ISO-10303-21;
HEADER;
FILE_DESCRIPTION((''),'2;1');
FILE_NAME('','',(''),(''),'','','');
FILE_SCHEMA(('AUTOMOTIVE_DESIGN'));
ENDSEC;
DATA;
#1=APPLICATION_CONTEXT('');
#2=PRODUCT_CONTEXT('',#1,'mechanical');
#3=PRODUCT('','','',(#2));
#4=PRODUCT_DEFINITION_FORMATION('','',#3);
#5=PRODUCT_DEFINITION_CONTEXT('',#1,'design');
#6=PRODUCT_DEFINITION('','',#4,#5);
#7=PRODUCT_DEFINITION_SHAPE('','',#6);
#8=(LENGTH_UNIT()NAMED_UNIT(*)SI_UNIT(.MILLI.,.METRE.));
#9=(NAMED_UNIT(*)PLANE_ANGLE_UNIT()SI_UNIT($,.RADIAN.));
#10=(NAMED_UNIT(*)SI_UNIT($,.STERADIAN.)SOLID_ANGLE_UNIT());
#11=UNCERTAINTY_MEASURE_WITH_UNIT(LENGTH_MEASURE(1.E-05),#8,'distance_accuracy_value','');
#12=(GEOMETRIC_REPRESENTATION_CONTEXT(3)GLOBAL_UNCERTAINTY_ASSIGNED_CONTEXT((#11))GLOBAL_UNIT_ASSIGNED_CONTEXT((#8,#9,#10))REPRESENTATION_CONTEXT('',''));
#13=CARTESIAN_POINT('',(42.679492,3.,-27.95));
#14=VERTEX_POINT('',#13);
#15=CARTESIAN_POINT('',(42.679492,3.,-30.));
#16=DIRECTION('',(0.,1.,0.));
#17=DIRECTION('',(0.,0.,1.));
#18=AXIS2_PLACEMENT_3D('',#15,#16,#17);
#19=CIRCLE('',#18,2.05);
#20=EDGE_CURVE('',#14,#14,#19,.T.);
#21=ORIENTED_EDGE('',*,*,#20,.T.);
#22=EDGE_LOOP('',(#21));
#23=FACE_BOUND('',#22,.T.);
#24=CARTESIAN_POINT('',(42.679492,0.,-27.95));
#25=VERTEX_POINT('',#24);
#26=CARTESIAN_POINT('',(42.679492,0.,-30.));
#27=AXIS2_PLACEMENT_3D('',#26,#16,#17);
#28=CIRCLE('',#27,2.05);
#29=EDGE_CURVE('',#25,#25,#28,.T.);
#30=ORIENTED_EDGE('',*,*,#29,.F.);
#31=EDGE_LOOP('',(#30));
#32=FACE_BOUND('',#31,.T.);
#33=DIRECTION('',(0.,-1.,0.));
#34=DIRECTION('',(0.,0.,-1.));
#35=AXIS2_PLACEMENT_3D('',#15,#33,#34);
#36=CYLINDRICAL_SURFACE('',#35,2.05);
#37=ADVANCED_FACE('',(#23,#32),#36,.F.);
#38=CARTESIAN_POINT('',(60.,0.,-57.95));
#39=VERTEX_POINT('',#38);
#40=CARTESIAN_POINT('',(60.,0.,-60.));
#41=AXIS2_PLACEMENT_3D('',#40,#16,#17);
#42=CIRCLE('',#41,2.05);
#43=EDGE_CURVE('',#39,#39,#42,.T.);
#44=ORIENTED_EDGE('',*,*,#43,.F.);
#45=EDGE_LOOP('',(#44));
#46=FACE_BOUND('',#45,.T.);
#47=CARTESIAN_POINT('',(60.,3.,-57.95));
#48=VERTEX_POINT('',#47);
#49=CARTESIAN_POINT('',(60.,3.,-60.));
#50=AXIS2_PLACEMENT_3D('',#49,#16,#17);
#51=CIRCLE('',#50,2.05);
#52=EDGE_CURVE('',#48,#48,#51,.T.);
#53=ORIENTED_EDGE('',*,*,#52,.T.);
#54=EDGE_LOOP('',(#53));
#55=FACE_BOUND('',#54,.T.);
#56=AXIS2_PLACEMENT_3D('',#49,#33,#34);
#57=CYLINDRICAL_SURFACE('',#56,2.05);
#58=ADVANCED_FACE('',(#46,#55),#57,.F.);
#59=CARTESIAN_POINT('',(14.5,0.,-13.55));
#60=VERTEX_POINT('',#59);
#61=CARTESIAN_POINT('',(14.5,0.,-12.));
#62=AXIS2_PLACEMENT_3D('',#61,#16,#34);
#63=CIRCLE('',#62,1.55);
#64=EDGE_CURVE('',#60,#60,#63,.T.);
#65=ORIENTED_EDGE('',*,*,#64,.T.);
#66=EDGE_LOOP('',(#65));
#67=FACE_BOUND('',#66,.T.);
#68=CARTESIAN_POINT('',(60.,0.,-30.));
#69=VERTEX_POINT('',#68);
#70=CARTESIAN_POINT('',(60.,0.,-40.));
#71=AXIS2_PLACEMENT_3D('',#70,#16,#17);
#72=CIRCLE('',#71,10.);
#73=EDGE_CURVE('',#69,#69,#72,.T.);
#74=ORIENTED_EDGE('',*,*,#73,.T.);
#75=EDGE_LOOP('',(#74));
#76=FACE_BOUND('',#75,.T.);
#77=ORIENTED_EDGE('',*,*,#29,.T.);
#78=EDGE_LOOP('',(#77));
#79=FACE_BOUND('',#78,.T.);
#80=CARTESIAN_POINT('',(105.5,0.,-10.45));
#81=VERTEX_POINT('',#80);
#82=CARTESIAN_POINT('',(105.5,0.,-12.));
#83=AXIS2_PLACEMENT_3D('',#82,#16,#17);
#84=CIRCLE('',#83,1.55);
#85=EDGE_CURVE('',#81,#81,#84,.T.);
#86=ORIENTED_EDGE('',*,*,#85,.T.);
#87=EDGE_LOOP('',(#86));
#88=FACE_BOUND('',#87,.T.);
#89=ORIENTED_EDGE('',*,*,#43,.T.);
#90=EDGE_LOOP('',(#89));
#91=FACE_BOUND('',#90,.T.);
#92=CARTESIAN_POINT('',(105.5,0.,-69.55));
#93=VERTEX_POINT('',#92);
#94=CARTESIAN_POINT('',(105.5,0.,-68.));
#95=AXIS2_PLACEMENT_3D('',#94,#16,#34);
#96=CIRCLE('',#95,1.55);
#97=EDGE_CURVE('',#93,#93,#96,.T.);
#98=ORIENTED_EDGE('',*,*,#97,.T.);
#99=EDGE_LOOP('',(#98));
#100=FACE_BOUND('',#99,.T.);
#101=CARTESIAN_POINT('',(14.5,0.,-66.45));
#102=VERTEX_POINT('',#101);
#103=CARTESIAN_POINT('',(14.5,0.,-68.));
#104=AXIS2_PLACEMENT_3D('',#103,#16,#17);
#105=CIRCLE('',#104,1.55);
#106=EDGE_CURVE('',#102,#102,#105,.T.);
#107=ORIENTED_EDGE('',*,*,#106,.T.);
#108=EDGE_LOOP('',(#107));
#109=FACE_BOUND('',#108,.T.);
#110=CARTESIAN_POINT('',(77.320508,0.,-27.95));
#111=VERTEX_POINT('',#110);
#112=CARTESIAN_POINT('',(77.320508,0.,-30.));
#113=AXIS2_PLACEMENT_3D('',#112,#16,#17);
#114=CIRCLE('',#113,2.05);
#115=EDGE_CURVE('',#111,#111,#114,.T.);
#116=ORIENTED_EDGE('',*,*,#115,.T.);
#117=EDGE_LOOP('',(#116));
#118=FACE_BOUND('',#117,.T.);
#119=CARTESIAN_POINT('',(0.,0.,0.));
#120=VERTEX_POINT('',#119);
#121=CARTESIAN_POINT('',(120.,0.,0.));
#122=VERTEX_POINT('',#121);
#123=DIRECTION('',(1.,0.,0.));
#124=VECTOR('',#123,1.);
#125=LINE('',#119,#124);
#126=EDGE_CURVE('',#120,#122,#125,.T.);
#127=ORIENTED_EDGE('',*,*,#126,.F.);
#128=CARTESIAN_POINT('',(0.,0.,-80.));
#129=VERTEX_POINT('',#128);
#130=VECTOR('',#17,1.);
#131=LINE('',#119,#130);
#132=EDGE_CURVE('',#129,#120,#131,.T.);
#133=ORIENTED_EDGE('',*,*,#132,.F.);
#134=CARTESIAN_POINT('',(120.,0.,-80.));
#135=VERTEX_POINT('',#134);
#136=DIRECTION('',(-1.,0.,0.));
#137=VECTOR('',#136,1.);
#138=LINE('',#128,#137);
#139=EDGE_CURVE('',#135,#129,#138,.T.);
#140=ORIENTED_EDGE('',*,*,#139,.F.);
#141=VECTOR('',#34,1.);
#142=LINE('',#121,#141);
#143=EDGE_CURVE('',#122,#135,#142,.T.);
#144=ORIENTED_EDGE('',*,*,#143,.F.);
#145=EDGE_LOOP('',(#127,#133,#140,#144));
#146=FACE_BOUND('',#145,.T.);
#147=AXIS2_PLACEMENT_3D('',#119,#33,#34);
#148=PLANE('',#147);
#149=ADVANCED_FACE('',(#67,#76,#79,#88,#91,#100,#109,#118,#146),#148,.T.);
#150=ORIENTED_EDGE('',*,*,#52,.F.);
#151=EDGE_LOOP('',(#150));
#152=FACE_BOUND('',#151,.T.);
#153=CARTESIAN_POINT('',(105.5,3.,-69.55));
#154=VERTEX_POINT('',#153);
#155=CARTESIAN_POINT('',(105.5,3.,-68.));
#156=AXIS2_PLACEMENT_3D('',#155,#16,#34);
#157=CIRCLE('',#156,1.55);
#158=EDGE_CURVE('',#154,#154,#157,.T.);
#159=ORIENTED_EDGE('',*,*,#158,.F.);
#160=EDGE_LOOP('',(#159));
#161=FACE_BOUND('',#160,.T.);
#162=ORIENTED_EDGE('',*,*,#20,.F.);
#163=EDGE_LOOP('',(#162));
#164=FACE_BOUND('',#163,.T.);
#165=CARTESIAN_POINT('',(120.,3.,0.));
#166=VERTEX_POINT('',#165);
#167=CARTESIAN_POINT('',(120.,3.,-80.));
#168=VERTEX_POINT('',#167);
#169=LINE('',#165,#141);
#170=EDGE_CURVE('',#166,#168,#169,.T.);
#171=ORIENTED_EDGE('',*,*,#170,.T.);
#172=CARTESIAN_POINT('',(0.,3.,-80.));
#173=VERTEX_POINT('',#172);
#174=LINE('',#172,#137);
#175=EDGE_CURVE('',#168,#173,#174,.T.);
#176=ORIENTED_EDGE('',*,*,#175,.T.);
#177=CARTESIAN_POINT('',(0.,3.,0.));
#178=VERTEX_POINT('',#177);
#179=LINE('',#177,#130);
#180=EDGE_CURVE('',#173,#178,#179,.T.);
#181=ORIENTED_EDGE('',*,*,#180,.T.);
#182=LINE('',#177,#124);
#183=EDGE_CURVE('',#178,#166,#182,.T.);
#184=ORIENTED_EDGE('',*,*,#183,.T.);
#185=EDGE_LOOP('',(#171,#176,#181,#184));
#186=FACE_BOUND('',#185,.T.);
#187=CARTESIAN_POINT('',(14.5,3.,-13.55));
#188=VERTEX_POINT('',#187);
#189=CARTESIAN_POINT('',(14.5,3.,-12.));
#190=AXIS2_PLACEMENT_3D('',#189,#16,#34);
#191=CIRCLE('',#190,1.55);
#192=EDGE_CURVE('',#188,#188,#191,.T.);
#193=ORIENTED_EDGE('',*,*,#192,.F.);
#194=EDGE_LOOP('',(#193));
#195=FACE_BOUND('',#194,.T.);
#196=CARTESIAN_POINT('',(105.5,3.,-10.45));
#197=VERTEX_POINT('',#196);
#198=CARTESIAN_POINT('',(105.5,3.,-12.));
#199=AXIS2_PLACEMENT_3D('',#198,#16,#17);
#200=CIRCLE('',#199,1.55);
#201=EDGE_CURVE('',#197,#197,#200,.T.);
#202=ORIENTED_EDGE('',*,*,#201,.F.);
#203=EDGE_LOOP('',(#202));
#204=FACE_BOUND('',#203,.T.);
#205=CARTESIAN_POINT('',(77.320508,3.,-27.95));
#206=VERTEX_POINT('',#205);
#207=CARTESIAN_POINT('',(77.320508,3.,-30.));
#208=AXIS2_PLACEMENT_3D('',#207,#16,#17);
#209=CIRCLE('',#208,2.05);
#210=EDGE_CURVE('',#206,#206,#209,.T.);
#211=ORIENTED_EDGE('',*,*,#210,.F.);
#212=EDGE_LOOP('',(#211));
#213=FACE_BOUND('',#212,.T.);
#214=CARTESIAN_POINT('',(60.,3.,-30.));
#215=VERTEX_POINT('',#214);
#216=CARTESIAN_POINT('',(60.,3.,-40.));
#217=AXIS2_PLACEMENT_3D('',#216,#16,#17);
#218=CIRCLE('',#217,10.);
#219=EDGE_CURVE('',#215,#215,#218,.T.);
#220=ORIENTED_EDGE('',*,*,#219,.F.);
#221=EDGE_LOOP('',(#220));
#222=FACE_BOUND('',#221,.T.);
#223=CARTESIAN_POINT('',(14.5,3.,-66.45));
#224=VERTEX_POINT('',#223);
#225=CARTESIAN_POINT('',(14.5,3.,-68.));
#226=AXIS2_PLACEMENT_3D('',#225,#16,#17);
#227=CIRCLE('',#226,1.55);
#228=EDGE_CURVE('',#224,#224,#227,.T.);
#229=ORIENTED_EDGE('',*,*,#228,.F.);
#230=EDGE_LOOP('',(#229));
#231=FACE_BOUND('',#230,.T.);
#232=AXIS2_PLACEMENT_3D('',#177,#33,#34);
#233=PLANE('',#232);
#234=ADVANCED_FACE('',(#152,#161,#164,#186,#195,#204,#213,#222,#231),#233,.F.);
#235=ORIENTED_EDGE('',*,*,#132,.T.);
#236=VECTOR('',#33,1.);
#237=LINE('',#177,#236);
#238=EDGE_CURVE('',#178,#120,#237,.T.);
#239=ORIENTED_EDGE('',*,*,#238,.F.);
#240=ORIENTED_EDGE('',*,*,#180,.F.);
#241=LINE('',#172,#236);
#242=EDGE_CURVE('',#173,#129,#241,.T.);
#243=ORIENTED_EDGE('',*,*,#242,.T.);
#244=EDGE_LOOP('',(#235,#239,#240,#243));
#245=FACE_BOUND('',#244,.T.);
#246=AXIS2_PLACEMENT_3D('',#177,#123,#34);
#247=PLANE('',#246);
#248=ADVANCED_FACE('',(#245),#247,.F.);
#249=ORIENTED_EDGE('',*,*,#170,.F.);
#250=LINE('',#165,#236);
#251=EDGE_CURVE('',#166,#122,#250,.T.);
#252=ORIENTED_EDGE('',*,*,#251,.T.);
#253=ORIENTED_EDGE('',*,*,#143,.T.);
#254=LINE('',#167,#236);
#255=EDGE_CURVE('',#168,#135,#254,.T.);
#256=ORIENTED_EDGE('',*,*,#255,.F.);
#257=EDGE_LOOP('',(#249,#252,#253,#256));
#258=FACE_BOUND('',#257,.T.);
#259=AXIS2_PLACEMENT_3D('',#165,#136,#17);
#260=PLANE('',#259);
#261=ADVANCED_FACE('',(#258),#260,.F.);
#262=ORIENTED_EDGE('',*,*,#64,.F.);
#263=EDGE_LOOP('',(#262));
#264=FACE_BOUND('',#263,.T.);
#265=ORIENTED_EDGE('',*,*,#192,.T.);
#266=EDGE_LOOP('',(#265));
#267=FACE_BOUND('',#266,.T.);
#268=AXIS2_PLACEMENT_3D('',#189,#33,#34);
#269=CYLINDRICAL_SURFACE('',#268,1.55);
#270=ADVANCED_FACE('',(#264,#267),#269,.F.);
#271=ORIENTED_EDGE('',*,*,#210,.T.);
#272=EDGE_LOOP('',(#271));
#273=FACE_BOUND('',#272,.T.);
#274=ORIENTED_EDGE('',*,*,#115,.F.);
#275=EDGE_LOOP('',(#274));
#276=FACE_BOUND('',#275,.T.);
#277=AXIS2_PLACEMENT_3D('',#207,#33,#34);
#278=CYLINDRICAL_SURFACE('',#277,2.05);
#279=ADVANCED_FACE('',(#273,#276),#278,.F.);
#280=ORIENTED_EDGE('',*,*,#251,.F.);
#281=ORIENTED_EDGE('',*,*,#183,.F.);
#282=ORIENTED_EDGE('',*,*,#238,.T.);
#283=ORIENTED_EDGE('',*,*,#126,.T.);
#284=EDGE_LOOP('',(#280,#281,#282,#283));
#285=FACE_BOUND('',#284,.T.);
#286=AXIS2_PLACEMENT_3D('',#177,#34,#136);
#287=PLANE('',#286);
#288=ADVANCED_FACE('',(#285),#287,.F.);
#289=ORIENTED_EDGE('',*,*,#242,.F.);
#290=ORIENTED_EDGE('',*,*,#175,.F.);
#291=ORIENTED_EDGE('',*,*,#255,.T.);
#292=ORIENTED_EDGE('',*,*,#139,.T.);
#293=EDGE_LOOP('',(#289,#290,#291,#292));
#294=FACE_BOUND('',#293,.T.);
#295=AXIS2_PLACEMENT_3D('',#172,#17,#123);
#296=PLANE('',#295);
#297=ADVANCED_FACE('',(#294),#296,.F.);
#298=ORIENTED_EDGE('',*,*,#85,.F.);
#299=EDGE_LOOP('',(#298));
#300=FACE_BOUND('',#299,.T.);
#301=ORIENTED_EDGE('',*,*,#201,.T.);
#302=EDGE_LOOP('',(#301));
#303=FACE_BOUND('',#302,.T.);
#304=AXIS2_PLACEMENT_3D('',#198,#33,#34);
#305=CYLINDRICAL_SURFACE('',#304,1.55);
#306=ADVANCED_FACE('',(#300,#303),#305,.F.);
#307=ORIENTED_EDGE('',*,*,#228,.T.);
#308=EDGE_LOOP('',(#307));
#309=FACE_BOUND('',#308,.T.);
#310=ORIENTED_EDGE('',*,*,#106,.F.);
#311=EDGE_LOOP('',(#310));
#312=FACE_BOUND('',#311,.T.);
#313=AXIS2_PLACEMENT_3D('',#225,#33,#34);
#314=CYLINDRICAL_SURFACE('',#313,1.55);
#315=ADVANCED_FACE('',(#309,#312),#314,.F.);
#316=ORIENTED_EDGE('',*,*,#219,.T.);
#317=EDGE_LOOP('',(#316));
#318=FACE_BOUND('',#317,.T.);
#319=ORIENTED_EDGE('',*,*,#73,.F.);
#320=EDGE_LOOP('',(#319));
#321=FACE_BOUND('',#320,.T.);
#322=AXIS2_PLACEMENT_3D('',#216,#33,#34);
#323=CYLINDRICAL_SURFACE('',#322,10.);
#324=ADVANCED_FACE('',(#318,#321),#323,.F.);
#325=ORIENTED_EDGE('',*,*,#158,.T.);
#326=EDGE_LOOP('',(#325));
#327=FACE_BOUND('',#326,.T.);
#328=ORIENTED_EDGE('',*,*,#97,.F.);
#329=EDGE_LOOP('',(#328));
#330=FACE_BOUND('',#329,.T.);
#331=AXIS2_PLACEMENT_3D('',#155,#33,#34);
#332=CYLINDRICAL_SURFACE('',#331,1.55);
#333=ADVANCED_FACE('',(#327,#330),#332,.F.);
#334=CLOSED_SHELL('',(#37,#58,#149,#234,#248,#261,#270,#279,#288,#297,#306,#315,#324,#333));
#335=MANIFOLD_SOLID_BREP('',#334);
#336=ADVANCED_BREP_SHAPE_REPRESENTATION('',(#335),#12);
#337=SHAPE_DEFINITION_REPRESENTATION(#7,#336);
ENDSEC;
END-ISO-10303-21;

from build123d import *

# Parameters (mm, degrees)
SKETCH_1_W      = 120
SKETCH_1_H      = 80
SKETCH_1_R      = 2.05
SKETCH_1_R_2    = 10
SKETCH_1_R_3    = 1.55
EXTRUDE_1_DEPTH = 3


with BuildPart() as part:
    # 草图1 → 凸台-拉伸1 (new body)
    with BuildSketch(Plane(origin=(0, 0, 0), x_dir=(1, 0, 0), z_dir=(0, 1, 0))):
        with Locations((60, 40)):
            Rectangle(SKETCH_1_W, SKETCH_1_H)
        with Locations(Location((60, 60, 0), (0, 0, 270))):
            Circle(SKETCH_1_R, mode=Mode.SUBTRACT)
        with Locations(Location((60, 40, 0), (0, 0, 270))):
            Circle(SKETCH_1_R_2, mode=Mode.SUBTRACT)
        with Locations(Location((77.320508076, 30, 0), (0, 0, 270))):
            Circle(SKETCH_1_R, mode=Mode.SUBTRACT)
        with Locations(Location((42.679491924, 30, 0), (0, 0, 270))):
            Circle(SKETCH_1_R, mode=Mode.SUBTRACT)
        with Locations(Location((14.5, 68, 0), (0, 0, 270))):
            Circle(SKETCH_1_R_3, mode=Mode.SUBTRACT)
        with Locations(Location((14.5, 12, 0), (0, 0, 90))):
            Circle(SKETCH_1_R_3, mode=Mode.SUBTRACT)
        with Locations(Location((105.5, 12, 0), (0, 0, 270))):
            Circle(SKETCH_1_R_3, mode=Mode.SUBTRACT)
        with Locations(Location((105.5, 68, 0), (0, 0, 90))):
            Circle(SKETCH_1_R_3, mode=Mode.SUBTRACT)
    extrude(amount=EXTRUDE_1_DEPTH)


solid = part.part
